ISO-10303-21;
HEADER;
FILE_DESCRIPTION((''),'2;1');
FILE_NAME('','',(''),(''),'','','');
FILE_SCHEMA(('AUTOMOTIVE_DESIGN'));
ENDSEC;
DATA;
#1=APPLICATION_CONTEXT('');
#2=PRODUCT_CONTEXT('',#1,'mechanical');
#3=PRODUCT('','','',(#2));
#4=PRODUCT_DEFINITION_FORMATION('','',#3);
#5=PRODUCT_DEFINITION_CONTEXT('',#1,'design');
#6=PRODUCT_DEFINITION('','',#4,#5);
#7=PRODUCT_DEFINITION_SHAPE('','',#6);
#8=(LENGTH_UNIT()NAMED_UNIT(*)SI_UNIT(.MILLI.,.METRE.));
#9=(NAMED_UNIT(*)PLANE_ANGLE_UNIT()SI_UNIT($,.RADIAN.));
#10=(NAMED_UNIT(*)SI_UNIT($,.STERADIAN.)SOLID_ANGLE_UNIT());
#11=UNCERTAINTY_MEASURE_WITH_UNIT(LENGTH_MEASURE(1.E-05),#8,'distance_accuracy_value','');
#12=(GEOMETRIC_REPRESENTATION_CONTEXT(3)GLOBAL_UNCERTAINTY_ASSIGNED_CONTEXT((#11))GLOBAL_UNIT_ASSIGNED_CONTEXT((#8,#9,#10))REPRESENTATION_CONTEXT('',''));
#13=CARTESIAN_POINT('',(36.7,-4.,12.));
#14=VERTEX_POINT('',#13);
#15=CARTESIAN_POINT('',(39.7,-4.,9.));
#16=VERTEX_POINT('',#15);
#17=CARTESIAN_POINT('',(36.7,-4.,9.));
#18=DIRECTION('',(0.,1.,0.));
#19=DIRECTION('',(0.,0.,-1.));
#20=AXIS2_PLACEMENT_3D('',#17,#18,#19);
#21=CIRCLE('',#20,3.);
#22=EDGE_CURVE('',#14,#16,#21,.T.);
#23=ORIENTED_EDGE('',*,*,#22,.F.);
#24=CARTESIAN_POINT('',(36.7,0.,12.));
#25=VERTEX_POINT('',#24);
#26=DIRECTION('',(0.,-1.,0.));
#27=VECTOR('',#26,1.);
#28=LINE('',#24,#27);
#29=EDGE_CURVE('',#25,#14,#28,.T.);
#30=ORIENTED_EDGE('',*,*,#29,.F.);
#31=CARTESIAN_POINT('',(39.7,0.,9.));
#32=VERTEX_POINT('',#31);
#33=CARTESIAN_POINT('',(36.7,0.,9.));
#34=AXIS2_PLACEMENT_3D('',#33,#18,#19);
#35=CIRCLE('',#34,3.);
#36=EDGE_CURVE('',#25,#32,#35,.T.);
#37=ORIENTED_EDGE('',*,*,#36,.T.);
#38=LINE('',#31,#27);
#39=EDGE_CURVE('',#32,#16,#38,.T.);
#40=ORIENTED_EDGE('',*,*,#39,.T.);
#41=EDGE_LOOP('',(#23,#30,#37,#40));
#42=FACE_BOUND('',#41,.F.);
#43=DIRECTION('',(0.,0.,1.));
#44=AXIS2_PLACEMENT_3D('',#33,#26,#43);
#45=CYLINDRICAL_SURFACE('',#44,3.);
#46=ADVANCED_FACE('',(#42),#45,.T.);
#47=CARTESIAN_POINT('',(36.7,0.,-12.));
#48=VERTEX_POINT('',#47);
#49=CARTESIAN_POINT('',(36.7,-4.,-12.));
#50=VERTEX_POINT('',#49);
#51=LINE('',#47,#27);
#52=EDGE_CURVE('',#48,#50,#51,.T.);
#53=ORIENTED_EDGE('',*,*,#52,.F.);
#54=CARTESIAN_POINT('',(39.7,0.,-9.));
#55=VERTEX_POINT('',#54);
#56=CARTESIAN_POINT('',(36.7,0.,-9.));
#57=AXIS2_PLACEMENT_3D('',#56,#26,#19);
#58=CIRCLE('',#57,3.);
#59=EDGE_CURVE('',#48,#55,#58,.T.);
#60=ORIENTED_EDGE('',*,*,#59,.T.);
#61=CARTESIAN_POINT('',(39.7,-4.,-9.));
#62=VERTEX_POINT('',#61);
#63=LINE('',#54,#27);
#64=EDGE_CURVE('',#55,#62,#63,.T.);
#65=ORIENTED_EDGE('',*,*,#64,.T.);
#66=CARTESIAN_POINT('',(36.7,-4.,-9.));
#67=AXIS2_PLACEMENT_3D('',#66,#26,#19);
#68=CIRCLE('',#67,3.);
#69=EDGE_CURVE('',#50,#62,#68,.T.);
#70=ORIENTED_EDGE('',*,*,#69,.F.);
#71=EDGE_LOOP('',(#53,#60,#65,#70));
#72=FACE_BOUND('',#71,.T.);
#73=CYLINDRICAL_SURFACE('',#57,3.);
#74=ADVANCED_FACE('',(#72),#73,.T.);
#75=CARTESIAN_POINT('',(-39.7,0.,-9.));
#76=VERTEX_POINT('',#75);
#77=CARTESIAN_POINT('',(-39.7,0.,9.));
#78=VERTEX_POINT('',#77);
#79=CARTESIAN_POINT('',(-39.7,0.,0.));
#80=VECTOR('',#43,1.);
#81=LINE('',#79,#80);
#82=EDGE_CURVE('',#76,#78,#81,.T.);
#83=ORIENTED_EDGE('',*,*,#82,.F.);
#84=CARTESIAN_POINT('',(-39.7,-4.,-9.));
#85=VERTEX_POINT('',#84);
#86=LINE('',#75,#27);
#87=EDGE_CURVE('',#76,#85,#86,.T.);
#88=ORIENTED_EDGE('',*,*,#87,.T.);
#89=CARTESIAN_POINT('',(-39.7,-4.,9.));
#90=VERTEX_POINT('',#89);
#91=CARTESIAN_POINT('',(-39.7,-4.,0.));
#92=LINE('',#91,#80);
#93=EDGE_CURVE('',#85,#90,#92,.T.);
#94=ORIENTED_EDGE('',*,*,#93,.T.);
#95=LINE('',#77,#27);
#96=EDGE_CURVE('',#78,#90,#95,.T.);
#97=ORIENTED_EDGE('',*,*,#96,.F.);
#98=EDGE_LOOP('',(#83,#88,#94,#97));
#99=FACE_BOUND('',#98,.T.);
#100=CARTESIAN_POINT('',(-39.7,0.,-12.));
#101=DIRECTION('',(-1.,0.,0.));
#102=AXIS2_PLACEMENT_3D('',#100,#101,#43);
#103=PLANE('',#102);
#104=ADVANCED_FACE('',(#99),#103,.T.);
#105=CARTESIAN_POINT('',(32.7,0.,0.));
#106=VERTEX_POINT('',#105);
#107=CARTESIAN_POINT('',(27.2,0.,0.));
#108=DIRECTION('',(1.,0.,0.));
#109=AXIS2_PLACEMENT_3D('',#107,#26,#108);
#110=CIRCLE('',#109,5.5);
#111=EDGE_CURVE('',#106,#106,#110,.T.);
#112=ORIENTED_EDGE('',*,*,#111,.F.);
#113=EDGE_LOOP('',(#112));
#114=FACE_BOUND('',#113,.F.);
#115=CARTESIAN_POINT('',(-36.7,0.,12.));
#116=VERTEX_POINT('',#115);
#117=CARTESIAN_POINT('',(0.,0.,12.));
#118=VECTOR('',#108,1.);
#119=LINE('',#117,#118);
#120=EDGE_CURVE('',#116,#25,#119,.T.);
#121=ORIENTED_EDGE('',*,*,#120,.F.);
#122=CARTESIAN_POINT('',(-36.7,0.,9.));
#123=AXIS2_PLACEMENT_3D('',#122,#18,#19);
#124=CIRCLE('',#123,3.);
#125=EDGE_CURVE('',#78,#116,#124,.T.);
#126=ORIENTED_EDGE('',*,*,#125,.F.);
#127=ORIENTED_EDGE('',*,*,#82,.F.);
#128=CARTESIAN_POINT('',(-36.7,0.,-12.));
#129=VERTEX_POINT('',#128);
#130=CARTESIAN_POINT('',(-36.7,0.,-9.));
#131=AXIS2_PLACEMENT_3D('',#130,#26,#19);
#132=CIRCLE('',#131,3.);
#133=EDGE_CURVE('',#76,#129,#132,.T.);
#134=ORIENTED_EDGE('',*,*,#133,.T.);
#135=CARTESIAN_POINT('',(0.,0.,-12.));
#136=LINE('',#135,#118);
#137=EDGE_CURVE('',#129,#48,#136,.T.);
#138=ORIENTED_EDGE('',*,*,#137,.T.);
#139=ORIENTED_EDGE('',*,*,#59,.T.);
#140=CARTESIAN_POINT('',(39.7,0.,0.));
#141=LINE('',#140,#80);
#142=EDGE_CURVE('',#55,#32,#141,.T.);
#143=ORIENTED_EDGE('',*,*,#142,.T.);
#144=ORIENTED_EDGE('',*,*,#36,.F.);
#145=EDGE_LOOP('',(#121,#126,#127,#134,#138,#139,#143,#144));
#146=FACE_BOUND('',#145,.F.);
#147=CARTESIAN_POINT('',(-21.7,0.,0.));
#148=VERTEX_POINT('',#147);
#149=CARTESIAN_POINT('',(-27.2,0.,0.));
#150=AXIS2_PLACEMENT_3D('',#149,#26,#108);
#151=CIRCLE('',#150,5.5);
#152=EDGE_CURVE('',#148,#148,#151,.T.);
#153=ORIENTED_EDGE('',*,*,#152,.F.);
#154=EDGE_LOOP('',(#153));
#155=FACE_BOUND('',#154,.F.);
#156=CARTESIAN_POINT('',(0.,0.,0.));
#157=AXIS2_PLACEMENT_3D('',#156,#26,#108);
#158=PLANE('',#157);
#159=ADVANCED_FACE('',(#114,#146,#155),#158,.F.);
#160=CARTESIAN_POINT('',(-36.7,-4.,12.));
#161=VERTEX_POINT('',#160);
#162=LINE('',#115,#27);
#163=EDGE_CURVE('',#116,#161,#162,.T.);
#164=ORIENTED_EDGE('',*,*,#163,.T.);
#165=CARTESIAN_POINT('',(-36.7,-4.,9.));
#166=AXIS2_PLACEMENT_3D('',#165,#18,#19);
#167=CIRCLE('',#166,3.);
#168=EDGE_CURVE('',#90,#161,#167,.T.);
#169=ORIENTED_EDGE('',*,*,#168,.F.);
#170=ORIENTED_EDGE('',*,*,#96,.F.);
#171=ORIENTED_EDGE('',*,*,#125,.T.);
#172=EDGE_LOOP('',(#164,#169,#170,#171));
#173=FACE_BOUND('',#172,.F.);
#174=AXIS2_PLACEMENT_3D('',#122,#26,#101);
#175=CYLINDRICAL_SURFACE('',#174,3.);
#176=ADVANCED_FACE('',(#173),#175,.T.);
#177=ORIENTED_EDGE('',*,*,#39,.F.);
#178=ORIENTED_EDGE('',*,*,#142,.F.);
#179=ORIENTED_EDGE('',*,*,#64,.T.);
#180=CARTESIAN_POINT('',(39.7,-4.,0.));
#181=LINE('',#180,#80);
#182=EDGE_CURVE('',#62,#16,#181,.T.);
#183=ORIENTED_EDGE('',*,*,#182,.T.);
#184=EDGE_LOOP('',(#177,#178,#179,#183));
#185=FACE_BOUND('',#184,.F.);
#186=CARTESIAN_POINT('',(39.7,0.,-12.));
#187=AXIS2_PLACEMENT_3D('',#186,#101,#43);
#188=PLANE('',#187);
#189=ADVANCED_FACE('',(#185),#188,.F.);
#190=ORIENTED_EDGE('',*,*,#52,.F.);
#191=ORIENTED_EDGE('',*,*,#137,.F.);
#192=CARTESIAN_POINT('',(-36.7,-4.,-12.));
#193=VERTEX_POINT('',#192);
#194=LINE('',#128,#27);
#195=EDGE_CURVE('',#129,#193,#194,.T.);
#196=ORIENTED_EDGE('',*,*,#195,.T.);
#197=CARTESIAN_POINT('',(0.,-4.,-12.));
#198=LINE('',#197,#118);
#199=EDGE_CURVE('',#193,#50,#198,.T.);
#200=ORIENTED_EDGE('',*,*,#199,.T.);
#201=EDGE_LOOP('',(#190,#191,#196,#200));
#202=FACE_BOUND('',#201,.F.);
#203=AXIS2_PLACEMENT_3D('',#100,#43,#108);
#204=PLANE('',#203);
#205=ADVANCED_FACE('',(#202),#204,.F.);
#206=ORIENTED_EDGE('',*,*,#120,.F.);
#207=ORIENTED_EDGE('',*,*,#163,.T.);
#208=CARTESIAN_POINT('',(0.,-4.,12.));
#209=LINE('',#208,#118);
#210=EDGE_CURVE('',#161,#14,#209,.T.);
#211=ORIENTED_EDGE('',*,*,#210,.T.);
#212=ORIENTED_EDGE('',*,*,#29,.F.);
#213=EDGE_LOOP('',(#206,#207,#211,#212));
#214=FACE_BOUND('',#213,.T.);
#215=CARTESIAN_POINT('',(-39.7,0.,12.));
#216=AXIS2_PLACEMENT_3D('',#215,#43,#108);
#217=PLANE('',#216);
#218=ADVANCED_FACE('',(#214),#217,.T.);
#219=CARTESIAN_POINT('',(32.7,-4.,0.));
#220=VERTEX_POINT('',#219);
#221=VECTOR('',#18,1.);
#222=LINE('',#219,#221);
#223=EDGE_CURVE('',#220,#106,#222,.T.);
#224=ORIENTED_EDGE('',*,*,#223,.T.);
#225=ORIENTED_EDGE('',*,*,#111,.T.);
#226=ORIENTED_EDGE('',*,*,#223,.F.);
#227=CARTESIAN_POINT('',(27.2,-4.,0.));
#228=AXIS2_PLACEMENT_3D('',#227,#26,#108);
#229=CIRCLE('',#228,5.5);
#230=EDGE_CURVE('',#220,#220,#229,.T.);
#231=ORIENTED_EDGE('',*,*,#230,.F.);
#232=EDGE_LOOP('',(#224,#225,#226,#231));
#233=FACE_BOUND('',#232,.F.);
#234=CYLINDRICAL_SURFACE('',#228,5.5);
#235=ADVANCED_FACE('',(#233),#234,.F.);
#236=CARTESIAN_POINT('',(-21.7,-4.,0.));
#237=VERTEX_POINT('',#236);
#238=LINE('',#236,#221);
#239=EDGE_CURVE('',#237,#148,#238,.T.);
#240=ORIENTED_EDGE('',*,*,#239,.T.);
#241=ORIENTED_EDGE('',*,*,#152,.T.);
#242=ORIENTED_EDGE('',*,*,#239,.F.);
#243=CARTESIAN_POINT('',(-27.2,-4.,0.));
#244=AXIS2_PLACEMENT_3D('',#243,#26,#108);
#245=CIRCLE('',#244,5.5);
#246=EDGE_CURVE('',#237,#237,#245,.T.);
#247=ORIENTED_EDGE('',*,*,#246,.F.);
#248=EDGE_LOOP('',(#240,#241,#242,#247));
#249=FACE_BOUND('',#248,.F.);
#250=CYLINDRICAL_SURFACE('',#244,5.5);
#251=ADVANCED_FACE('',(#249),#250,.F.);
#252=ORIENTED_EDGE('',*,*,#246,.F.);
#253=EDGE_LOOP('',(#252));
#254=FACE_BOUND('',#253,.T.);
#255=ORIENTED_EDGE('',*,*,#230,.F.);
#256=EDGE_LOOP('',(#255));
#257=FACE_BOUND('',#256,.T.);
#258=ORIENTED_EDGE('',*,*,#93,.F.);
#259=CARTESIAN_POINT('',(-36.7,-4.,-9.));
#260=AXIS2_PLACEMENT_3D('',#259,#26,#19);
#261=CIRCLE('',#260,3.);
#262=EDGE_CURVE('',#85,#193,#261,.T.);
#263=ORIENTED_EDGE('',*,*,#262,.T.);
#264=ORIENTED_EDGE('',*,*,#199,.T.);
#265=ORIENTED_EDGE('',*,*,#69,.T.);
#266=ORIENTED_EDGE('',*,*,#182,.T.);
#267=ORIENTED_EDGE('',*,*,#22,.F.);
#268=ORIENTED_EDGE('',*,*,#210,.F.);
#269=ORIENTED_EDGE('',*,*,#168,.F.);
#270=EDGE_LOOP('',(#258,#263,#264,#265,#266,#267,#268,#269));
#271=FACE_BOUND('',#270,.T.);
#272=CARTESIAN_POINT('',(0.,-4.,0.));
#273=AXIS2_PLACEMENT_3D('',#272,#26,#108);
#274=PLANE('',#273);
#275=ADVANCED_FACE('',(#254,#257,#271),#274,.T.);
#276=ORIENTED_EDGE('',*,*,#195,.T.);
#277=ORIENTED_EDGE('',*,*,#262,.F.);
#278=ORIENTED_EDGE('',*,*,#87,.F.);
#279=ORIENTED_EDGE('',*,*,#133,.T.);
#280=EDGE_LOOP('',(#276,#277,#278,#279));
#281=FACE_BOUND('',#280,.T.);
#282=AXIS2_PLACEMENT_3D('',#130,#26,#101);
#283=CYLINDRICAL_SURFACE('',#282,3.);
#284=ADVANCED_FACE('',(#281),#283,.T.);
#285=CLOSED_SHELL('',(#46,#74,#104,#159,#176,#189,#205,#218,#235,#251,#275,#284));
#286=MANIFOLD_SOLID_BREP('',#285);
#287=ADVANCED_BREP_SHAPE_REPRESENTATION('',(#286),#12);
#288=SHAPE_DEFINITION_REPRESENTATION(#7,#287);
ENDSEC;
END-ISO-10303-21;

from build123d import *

# Parameters (mm, degrees)
F0_W     = 79.4
F0_H     = 24
F1_DEPTH = 4
F2_R     = 5.5
F3_DEPTH = 25
F4_R     = 3


with BuildPart() as f1:
    # F0 (on Front) → F1 (new body)
    with BuildSketch(Plane.XZ):
        Rectangle(F0_W, F0_H)
    extrude(amount=F1_DEPTH)

    # F2 (on face) → F3 (cut)
    with BuildSketch(Plane.XZ.offset(4)):
        with Locations((-27.2, 0)):
            Circle(F2_R)
        with Locations((27.2, 0)):
            Circle(F2_R)
    extrude(amount=-F3_DEPTH, mode=Mode.SUBTRACT)

    # F4
    f4_edges = [f1.edges().sort_by_distance(p)[0] for p in [
        (39.7, -2, 12),
        (39.7, -2, -12),
        (-39.7, -2, -12),
        (-39.7, -2, 12),
    ]]
    fillet(f4_edges, radius=F4_R)


solid = f1.part
